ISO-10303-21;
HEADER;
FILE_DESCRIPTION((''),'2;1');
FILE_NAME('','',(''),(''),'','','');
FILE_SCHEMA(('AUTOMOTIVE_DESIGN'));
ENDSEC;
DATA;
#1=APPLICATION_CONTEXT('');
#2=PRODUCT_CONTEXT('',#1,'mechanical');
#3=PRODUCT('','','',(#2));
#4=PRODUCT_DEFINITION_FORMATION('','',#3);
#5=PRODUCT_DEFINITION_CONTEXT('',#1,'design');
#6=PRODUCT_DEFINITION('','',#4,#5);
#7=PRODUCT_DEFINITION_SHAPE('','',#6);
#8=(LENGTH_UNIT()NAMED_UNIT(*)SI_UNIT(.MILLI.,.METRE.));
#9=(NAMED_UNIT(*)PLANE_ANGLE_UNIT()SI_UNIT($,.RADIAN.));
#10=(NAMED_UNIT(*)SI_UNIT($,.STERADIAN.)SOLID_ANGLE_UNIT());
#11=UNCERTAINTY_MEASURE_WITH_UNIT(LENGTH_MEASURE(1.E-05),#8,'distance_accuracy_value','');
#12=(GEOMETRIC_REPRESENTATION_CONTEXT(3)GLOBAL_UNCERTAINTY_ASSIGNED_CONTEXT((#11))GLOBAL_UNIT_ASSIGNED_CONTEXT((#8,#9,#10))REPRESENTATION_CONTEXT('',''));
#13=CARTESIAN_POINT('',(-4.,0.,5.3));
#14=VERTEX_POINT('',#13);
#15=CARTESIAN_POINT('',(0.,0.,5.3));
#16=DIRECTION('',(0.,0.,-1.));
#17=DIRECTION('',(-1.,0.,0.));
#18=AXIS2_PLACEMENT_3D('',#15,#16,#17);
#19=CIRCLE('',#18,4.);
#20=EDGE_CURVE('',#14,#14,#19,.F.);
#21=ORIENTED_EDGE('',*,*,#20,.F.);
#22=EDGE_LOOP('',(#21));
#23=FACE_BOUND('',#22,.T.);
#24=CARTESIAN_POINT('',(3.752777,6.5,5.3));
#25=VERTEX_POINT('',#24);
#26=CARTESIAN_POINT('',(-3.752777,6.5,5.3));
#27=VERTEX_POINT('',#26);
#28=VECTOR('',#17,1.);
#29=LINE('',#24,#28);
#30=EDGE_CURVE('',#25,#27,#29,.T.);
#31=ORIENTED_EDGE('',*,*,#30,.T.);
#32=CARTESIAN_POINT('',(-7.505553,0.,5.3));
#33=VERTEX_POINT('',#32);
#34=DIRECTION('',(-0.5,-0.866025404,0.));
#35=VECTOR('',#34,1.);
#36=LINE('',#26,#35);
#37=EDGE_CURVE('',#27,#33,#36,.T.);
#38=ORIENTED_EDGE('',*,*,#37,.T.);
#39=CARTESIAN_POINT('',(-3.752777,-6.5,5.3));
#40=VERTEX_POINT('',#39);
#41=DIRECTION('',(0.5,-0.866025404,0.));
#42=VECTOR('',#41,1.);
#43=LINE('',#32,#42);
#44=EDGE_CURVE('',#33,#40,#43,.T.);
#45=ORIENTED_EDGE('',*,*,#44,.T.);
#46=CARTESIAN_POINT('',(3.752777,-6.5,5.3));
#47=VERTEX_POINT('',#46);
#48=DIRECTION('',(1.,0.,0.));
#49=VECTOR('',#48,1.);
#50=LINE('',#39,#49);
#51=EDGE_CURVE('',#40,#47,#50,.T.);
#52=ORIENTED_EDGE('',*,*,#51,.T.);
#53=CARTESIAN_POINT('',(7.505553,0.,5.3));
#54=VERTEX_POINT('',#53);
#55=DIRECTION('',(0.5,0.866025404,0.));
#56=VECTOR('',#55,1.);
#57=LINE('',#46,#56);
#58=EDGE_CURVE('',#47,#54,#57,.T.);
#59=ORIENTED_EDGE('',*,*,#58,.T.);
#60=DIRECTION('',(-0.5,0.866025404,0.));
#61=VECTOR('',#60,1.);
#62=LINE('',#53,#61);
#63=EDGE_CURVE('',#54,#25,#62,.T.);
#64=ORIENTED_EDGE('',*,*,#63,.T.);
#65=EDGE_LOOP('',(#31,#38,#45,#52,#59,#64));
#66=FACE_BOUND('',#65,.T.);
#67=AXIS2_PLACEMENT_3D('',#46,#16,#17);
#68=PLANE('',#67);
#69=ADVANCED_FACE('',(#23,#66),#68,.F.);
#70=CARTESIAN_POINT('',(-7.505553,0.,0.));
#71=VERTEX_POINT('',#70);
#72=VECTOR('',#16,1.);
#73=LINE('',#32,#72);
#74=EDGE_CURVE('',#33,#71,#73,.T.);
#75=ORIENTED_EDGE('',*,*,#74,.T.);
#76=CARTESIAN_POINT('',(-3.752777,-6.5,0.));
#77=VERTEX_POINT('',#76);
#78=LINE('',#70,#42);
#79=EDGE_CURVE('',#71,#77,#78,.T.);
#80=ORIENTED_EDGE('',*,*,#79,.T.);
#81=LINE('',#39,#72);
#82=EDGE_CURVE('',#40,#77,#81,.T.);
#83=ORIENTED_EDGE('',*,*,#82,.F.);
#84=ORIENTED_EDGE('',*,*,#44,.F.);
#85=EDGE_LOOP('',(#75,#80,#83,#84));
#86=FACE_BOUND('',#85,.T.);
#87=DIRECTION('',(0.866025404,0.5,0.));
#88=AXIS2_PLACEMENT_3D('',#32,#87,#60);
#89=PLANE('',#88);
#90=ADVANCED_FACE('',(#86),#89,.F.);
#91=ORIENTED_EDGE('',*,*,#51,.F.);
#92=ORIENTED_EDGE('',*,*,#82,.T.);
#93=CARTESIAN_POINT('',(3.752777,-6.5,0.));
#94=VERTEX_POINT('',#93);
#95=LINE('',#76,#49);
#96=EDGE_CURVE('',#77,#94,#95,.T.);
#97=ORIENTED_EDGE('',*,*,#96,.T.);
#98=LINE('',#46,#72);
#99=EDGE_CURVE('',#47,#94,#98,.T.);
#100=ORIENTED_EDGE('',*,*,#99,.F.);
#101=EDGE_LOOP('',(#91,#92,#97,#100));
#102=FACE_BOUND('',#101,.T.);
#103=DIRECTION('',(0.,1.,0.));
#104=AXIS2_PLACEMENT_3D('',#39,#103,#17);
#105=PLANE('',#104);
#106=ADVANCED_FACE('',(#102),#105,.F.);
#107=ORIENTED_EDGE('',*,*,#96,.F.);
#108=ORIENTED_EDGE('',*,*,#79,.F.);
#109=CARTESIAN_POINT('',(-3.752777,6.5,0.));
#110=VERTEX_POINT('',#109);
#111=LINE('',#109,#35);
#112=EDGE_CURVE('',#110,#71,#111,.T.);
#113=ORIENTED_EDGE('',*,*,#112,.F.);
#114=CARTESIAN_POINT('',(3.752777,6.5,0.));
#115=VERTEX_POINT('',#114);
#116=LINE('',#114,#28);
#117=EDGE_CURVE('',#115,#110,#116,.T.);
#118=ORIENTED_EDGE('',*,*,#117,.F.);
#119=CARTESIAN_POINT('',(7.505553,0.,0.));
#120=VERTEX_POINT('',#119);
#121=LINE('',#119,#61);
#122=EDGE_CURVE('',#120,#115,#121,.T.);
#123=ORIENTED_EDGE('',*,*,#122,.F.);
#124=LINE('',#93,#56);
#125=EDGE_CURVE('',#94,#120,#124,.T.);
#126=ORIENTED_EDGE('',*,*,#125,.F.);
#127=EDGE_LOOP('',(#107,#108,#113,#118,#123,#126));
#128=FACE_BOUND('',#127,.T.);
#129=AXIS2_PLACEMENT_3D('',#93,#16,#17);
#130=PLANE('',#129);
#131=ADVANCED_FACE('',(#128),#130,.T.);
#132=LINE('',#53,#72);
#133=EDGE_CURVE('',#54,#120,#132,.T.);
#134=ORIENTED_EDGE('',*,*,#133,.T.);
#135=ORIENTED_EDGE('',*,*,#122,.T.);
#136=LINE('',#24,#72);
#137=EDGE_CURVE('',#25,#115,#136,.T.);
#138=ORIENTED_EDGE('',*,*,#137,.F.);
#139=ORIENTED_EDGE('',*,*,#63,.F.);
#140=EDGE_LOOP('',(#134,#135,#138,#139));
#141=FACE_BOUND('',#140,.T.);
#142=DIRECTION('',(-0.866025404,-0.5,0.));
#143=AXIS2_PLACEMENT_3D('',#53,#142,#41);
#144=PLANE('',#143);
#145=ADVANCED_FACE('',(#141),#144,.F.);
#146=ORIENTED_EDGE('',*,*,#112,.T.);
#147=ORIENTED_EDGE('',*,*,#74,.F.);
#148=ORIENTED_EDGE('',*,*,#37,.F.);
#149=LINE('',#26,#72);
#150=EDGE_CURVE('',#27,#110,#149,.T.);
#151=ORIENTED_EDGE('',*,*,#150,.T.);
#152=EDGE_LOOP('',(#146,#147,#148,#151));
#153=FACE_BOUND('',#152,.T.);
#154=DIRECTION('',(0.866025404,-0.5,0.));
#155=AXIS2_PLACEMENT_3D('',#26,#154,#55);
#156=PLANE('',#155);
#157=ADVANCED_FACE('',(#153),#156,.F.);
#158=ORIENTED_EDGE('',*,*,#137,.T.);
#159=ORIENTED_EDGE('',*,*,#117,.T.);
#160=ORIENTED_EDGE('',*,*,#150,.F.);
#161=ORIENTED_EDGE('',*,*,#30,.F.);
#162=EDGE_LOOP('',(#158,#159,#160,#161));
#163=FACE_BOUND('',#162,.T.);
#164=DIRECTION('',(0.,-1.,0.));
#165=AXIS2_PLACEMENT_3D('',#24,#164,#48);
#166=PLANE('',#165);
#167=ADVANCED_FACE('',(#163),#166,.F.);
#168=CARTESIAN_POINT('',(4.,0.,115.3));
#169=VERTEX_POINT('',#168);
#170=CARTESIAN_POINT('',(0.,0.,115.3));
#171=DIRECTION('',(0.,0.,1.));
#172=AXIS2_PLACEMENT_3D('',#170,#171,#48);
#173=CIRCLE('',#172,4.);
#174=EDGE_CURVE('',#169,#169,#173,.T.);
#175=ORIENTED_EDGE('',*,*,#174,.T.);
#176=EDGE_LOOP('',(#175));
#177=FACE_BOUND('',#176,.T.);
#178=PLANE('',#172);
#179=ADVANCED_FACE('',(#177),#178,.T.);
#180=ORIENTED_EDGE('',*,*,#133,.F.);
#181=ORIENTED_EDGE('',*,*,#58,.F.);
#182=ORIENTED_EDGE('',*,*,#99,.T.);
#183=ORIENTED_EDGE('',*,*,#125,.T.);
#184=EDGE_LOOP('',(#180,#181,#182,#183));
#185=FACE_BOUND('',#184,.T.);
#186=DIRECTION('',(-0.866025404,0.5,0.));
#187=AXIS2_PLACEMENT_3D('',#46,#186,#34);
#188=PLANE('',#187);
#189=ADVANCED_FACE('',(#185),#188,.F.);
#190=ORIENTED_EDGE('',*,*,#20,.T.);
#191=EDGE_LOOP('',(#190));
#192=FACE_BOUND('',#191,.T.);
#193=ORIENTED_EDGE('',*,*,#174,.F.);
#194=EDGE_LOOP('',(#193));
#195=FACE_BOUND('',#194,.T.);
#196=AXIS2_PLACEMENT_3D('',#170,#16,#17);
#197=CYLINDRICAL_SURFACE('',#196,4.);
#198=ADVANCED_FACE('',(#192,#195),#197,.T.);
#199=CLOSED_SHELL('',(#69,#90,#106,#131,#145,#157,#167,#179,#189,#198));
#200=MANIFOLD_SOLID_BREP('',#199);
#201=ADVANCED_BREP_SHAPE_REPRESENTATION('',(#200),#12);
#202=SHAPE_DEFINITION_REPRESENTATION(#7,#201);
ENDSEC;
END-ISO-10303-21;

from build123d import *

# Parameters (mm, degrees)
BASE_EXTRUDE_DEPTH  = 5.3
SKETCH2_R           = 4
BOSS_EXTRUDE1_DEPTH = 110


with BuildPart() as part:
    # Sketch1 → Base-Extrude (new body)
    with BuildSketch(Plane.XY):
        Polygon((7.505553499, 0), (3.75277675, 6.5), (-3.75277675, 6.5), (-7.505553499, 0), (-3.75277675, -6.5), (3.75277675, -6.5), align=None)
    extrude(amount=BASE_EXTRUDE_DEPTH)

    # Sketch2 → Boss-Extrude1 (add)
    with BuildSketch(Plane.XY.offset(5.3)):
        Circle(SKETCH2_R)
    extrude(amount=BOSS_EXTRUDE1_DEPTH)


solid = part.part
